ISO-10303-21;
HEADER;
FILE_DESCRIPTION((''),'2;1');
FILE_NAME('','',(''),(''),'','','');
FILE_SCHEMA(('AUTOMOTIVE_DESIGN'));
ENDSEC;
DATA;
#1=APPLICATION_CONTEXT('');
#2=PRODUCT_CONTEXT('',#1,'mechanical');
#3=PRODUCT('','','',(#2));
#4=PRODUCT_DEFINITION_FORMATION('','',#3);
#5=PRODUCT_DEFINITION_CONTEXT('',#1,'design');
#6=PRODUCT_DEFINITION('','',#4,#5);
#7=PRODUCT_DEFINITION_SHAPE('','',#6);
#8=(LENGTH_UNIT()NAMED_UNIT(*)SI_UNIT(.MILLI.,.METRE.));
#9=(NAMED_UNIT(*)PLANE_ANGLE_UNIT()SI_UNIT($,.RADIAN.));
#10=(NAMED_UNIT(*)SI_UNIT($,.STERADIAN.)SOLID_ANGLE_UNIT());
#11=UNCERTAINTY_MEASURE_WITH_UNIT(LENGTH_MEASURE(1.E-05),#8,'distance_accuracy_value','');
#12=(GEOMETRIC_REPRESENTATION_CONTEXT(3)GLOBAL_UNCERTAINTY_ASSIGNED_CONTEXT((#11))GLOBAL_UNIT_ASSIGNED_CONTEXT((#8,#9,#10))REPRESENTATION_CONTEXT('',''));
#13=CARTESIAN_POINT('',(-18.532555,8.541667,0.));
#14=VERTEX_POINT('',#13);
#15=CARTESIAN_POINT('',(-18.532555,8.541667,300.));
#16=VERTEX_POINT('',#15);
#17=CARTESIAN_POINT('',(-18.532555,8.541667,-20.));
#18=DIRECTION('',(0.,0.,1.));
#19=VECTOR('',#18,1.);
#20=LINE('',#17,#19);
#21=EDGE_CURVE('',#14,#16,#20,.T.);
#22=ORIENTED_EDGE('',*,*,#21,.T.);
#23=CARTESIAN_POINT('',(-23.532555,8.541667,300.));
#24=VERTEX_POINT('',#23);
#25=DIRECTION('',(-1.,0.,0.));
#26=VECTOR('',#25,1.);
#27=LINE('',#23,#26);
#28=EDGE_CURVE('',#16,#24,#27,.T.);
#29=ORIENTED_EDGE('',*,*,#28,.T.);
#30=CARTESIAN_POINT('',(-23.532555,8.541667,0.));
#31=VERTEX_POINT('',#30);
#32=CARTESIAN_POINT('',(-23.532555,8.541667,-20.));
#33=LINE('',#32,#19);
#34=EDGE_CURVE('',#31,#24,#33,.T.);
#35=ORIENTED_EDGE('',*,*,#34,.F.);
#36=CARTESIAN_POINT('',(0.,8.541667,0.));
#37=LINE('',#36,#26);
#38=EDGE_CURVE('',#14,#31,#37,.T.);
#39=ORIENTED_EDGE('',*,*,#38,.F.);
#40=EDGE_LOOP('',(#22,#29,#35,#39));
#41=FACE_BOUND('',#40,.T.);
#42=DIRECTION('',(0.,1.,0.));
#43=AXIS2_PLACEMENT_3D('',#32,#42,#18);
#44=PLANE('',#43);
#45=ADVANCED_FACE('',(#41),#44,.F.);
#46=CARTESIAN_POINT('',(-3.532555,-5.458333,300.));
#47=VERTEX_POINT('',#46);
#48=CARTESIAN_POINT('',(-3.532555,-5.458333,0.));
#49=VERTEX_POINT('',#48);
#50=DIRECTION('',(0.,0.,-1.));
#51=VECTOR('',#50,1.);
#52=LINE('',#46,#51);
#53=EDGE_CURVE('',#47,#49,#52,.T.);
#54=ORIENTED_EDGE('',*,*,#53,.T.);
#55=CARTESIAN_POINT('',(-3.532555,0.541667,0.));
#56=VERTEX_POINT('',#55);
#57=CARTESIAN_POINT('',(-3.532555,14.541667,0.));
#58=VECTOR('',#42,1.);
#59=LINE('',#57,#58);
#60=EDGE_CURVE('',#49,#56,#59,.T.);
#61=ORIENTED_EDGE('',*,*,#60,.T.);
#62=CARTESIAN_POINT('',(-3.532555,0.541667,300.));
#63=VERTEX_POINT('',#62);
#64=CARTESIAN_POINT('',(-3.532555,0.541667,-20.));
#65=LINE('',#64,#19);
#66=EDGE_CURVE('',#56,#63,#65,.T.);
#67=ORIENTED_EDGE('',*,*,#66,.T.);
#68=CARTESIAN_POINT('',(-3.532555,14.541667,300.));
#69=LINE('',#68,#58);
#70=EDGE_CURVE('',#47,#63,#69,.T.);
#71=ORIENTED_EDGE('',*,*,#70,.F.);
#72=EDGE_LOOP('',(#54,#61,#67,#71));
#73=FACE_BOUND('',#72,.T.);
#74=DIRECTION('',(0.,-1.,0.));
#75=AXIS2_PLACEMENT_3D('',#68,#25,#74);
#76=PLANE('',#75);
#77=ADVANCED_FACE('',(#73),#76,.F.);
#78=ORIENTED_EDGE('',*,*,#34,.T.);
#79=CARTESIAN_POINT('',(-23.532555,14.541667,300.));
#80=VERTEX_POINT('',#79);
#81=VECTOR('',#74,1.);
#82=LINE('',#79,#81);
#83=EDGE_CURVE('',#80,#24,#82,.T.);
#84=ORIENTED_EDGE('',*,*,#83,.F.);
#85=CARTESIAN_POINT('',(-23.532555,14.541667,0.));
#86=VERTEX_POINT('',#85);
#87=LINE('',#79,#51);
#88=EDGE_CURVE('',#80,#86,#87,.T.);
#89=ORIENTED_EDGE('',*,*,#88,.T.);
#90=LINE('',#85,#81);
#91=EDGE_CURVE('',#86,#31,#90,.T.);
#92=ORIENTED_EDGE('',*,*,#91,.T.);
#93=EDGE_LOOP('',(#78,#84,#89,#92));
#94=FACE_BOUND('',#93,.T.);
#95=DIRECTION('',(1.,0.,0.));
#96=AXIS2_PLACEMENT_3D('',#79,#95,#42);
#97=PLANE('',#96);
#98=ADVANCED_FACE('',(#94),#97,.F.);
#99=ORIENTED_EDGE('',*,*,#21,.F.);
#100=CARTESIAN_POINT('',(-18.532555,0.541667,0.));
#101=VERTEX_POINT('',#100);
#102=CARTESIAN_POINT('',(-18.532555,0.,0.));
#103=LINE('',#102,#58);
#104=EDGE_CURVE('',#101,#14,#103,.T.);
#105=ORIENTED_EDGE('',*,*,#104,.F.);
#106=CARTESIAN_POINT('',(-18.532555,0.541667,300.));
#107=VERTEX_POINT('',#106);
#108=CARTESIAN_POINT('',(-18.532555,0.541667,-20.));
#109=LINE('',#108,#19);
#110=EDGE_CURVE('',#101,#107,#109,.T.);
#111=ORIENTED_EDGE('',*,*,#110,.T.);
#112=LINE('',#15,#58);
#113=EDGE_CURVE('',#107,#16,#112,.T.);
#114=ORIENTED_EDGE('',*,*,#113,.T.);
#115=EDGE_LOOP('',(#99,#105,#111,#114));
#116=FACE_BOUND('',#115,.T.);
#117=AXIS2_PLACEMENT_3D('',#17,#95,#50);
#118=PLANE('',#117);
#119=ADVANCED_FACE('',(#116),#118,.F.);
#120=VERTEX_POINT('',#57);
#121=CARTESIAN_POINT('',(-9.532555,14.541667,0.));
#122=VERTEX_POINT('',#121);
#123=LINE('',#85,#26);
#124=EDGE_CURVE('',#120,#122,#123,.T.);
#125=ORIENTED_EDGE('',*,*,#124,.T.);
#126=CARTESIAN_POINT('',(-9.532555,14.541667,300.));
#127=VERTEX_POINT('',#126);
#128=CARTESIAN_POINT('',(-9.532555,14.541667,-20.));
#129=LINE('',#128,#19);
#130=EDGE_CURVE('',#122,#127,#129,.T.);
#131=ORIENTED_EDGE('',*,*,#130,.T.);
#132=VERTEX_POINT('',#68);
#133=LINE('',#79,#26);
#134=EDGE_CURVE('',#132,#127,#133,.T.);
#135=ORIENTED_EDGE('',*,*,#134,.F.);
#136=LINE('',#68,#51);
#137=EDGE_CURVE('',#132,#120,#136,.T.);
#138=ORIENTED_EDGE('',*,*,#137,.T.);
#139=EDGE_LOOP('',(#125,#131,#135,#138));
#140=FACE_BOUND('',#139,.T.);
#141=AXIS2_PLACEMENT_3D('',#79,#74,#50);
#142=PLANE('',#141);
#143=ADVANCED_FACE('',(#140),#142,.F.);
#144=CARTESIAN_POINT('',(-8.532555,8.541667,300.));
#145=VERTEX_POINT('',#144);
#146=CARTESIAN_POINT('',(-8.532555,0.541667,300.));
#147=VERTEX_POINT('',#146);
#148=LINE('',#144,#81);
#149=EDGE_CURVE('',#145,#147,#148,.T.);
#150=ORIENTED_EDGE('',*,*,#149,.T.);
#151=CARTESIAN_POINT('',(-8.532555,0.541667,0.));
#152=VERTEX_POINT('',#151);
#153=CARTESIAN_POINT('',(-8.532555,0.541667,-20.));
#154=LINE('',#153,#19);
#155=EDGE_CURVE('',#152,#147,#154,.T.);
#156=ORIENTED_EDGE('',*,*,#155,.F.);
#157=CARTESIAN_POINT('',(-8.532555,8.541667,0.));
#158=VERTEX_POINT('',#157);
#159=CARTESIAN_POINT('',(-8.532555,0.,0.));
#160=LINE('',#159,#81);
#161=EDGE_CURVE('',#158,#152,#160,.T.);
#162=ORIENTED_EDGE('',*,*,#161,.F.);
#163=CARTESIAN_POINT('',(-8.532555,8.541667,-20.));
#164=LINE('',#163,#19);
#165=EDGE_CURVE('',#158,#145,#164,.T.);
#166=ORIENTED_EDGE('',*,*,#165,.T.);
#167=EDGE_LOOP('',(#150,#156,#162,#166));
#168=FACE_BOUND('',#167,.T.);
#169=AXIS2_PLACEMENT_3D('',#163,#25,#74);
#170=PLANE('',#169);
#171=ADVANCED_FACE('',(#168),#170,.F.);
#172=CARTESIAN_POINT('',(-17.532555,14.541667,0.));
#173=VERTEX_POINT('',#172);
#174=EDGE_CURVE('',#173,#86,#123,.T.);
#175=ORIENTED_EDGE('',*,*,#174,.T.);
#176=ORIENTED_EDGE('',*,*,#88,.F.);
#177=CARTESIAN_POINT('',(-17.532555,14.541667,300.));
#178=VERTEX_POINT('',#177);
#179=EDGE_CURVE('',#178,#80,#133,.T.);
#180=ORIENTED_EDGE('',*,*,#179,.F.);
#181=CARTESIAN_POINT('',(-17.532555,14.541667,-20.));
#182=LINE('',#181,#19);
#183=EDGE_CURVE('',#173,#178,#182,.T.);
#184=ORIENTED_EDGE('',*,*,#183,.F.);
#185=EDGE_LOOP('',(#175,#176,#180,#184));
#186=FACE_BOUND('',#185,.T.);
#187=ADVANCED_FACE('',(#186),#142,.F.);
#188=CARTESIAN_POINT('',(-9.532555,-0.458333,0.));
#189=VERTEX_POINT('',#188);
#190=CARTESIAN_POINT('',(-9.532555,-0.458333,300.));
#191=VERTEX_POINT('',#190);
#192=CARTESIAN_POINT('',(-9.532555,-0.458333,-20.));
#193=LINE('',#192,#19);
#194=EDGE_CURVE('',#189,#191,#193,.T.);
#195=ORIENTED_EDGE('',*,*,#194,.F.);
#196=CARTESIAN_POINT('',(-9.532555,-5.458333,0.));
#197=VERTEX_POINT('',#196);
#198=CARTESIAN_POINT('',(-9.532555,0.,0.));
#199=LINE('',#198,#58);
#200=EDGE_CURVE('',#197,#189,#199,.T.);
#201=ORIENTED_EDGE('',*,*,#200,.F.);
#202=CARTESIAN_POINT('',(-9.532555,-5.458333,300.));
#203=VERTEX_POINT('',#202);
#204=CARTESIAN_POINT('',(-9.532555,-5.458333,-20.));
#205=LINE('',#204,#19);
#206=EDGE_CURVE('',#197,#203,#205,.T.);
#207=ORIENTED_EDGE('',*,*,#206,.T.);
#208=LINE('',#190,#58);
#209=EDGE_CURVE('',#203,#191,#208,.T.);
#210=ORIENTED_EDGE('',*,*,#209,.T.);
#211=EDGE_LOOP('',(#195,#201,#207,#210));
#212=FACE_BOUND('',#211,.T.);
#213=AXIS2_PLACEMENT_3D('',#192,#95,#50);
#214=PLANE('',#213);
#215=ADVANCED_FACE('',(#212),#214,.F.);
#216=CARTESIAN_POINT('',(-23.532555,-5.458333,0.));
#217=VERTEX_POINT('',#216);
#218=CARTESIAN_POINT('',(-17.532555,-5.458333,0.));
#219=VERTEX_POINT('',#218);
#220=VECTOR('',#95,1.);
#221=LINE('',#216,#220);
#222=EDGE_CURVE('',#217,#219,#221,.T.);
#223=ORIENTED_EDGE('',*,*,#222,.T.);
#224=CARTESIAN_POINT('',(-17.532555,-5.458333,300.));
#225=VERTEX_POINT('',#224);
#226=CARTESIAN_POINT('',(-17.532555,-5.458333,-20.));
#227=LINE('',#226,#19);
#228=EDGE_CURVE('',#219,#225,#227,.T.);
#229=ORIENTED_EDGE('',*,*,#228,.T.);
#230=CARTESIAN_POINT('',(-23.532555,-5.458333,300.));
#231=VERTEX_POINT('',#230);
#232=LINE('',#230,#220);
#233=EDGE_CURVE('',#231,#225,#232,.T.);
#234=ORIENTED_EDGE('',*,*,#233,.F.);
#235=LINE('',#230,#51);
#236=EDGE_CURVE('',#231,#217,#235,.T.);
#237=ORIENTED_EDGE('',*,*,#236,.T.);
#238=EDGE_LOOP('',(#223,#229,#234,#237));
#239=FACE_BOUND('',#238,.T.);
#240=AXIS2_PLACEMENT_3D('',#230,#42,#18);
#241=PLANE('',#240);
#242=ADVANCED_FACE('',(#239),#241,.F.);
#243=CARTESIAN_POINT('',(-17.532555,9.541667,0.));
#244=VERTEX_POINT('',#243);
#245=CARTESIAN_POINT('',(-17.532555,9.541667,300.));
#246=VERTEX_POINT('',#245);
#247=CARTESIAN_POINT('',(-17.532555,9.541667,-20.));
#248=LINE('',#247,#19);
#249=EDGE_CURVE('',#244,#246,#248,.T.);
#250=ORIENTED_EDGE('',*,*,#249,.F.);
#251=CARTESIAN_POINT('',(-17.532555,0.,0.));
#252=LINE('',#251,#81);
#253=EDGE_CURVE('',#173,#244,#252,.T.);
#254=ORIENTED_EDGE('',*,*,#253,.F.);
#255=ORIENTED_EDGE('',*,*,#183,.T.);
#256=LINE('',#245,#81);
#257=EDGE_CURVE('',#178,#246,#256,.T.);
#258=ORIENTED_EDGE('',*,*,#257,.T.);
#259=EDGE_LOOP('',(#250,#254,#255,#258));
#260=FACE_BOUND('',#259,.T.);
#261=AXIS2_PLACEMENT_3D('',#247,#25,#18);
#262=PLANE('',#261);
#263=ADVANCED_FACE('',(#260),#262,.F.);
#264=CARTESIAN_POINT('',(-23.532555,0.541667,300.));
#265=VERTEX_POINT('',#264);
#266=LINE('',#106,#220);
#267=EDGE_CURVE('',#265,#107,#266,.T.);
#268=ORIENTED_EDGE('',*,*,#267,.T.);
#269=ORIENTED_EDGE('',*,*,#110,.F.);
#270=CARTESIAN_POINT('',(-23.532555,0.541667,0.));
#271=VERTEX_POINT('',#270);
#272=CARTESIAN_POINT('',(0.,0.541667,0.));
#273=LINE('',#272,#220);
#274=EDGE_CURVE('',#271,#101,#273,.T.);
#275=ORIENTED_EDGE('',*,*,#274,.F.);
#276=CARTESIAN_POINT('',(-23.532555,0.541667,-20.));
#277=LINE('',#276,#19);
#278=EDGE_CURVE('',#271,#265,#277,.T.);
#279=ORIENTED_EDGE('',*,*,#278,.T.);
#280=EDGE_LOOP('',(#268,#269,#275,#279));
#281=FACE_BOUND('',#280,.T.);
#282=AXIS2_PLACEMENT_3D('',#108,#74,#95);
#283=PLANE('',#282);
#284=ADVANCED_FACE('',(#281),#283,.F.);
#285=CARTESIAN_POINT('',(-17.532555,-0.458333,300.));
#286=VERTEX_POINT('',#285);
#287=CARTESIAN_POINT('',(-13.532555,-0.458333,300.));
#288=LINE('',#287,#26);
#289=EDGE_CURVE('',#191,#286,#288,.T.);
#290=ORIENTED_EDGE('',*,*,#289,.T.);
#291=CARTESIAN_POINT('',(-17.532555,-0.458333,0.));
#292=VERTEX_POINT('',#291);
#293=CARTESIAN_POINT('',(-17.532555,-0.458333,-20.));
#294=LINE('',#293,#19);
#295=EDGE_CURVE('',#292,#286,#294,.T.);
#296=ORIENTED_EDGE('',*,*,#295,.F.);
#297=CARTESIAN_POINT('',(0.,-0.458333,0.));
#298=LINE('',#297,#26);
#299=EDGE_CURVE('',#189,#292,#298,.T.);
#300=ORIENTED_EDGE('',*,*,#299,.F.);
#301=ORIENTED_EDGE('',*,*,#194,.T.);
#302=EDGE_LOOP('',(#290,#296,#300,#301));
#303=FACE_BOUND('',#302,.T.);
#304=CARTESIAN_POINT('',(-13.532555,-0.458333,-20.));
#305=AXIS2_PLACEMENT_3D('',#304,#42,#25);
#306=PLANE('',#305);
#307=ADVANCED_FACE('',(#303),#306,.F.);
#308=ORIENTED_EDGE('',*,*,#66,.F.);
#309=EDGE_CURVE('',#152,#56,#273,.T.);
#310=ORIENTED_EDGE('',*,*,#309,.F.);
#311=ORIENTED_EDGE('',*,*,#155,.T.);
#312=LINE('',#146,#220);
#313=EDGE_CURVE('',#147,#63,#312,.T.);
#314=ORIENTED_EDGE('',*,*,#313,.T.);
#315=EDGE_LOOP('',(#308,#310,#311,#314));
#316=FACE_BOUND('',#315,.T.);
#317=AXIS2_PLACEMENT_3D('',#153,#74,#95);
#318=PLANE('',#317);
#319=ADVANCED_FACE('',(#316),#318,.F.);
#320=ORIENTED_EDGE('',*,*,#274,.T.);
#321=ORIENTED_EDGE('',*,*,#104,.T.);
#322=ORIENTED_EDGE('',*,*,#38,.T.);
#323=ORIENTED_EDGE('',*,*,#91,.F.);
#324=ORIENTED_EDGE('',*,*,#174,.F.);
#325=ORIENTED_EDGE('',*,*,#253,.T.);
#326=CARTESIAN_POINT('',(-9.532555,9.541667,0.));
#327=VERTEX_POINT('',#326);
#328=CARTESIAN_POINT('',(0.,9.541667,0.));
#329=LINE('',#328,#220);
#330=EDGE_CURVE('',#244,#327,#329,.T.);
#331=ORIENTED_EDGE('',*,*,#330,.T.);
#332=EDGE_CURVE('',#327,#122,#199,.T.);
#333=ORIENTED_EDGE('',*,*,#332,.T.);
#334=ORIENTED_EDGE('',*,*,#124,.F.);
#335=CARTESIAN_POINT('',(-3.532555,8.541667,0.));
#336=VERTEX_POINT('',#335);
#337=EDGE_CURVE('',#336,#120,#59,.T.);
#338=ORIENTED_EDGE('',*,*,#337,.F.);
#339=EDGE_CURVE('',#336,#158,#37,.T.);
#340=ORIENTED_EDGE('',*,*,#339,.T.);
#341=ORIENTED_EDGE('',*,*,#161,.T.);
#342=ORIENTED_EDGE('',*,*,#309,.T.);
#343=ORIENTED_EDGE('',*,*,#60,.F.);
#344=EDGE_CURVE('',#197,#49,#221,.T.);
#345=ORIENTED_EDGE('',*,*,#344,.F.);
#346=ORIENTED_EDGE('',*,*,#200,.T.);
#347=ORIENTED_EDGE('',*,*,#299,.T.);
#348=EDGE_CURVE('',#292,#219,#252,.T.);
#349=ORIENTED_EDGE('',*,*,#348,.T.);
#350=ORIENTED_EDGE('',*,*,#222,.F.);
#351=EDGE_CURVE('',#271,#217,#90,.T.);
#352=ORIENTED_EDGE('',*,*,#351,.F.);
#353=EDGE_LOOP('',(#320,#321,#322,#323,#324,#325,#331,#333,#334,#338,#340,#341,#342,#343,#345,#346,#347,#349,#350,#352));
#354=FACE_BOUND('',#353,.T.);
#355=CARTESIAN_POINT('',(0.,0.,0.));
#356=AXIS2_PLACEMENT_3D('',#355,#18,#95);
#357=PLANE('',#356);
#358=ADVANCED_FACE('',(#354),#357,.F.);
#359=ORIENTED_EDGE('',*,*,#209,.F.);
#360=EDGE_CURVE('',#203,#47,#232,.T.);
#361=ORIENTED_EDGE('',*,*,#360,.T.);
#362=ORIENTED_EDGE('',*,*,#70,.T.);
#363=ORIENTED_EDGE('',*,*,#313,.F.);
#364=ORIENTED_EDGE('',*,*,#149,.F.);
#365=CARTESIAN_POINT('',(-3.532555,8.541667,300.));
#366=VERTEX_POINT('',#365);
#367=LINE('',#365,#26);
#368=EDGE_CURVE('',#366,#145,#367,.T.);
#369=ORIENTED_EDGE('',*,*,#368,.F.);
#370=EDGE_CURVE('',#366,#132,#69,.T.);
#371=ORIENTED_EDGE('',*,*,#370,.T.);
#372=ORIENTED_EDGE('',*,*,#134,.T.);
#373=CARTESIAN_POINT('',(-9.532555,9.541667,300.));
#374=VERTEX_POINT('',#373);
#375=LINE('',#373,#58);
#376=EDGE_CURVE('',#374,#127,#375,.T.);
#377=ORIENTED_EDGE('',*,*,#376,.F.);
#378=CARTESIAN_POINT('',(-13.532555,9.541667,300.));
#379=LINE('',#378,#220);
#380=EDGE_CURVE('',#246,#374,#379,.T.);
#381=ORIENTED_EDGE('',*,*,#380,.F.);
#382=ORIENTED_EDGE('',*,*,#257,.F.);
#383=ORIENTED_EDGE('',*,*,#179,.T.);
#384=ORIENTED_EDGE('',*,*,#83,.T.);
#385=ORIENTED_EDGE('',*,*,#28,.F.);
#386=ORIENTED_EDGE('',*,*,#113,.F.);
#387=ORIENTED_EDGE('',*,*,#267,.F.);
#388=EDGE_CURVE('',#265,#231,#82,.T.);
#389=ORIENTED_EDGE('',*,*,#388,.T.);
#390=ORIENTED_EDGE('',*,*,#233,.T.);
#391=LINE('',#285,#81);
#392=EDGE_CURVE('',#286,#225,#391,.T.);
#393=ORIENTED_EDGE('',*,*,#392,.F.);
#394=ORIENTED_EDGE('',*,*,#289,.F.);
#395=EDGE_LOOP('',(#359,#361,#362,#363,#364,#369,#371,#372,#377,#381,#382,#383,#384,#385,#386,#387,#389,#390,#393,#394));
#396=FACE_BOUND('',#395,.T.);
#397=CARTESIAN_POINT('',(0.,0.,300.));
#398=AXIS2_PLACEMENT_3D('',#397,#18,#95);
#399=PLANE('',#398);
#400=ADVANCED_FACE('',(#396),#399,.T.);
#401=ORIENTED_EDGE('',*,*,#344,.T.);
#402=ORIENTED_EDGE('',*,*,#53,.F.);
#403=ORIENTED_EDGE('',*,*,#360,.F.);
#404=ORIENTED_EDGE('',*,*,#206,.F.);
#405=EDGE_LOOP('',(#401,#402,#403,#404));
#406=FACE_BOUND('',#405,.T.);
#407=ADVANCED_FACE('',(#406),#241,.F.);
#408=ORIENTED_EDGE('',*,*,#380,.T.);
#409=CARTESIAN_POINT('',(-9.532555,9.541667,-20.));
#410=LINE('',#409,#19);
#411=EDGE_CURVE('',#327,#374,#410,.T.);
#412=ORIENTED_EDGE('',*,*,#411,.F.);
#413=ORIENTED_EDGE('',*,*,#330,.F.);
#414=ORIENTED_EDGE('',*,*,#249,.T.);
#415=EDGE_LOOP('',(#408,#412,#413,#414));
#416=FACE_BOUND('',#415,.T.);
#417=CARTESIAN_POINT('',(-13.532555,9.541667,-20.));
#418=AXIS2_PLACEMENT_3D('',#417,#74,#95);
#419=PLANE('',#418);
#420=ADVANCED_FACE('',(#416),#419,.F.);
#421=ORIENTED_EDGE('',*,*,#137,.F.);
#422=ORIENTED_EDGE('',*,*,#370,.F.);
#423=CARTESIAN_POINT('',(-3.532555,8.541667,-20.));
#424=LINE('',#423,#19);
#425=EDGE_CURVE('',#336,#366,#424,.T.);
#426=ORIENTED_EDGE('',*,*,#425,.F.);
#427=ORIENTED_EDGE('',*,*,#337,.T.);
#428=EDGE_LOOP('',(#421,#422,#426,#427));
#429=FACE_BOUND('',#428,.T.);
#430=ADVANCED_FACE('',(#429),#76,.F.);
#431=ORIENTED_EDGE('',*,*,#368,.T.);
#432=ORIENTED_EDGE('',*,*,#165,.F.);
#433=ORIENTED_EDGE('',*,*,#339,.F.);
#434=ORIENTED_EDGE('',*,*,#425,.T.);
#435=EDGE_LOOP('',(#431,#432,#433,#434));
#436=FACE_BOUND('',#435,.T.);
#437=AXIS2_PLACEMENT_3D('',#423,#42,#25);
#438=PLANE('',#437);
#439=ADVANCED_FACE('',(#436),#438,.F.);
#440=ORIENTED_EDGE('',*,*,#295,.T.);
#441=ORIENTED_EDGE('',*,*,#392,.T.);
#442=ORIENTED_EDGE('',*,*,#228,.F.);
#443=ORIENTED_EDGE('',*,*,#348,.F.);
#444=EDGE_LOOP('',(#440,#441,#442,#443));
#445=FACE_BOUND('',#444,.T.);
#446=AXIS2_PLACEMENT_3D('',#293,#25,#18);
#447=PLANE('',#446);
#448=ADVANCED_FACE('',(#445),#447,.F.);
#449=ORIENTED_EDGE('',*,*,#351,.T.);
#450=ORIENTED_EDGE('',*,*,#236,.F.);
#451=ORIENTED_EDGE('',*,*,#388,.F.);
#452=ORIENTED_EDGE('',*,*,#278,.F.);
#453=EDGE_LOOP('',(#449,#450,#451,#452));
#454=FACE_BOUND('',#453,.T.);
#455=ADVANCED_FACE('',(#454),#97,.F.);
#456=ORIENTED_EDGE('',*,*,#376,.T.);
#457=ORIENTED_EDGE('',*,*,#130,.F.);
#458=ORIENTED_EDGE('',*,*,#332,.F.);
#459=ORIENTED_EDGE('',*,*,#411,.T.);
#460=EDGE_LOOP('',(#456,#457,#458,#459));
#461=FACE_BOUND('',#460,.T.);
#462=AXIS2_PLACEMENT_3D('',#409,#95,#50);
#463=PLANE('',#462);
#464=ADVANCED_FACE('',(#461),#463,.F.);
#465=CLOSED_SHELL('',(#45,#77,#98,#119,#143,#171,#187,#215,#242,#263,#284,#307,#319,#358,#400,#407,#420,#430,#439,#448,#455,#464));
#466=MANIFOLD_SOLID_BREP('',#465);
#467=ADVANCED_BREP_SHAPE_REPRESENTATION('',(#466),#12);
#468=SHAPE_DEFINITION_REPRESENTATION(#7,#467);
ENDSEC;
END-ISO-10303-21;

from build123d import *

# Parameters (mm, degrees)
CROQUIS1_W              = 20
CROQUIS1_H              = 20
SALIENTE_EXTRUIR1_DEPTH = 300
CORTAR_EXTRUIR1_DEPTH   = 320


with BuildPart() as part:
    # Croquis1 → Saliente-Extruir1 (new body)
    with BuildSketch(Plane.XY):
        with Locations((-13.532555049, 4.541666667)):
            Rectangle(CROQUIS1_W, CROQUIS1_H)
    extrude(amount=SALIENTE_EXTRUIR1_DEPTH)

    # Croquis2 → Cortar-Extruir1 (cut)
    with BuildSketch(Plane.XY.offset(300)):
        Polygon((-13.532555049, 9.541666667), (-17.532555049, 9.541666667), (-17.532555049, 14.541666667), (-9.532555049, 14.541666667), (-9.532555049, 9.541666667), align=None)
        Polygon((-9.532555049, -0.458333333), (-9.532555049, -5.458333333), (-17.532555049, -5.458333333), (-17.532555049, -0.458333333), (-13.532555049, -0.458333333), align=None)
        Polygon((-23.532555049, 4.541666667), (-23.532555049, 8.541666667), (-18.532555049, 8.541666667), (-18.532555049, 0.541666667), (-23.532555049, 0.541666667), align=None)
        Polygon((-8.532555049, 8.541666667), (-8.532555049, 0.541666667), (-3.532555049, 0.541666667), (-3.532555049, 4.541666667), (-3.532555049, 8.541666667), align=None)
    extrude(amount=-CORTAR_EXTRUIR1_DEPTH, mode=Mode.SUBTRACT)


solid = part.part
